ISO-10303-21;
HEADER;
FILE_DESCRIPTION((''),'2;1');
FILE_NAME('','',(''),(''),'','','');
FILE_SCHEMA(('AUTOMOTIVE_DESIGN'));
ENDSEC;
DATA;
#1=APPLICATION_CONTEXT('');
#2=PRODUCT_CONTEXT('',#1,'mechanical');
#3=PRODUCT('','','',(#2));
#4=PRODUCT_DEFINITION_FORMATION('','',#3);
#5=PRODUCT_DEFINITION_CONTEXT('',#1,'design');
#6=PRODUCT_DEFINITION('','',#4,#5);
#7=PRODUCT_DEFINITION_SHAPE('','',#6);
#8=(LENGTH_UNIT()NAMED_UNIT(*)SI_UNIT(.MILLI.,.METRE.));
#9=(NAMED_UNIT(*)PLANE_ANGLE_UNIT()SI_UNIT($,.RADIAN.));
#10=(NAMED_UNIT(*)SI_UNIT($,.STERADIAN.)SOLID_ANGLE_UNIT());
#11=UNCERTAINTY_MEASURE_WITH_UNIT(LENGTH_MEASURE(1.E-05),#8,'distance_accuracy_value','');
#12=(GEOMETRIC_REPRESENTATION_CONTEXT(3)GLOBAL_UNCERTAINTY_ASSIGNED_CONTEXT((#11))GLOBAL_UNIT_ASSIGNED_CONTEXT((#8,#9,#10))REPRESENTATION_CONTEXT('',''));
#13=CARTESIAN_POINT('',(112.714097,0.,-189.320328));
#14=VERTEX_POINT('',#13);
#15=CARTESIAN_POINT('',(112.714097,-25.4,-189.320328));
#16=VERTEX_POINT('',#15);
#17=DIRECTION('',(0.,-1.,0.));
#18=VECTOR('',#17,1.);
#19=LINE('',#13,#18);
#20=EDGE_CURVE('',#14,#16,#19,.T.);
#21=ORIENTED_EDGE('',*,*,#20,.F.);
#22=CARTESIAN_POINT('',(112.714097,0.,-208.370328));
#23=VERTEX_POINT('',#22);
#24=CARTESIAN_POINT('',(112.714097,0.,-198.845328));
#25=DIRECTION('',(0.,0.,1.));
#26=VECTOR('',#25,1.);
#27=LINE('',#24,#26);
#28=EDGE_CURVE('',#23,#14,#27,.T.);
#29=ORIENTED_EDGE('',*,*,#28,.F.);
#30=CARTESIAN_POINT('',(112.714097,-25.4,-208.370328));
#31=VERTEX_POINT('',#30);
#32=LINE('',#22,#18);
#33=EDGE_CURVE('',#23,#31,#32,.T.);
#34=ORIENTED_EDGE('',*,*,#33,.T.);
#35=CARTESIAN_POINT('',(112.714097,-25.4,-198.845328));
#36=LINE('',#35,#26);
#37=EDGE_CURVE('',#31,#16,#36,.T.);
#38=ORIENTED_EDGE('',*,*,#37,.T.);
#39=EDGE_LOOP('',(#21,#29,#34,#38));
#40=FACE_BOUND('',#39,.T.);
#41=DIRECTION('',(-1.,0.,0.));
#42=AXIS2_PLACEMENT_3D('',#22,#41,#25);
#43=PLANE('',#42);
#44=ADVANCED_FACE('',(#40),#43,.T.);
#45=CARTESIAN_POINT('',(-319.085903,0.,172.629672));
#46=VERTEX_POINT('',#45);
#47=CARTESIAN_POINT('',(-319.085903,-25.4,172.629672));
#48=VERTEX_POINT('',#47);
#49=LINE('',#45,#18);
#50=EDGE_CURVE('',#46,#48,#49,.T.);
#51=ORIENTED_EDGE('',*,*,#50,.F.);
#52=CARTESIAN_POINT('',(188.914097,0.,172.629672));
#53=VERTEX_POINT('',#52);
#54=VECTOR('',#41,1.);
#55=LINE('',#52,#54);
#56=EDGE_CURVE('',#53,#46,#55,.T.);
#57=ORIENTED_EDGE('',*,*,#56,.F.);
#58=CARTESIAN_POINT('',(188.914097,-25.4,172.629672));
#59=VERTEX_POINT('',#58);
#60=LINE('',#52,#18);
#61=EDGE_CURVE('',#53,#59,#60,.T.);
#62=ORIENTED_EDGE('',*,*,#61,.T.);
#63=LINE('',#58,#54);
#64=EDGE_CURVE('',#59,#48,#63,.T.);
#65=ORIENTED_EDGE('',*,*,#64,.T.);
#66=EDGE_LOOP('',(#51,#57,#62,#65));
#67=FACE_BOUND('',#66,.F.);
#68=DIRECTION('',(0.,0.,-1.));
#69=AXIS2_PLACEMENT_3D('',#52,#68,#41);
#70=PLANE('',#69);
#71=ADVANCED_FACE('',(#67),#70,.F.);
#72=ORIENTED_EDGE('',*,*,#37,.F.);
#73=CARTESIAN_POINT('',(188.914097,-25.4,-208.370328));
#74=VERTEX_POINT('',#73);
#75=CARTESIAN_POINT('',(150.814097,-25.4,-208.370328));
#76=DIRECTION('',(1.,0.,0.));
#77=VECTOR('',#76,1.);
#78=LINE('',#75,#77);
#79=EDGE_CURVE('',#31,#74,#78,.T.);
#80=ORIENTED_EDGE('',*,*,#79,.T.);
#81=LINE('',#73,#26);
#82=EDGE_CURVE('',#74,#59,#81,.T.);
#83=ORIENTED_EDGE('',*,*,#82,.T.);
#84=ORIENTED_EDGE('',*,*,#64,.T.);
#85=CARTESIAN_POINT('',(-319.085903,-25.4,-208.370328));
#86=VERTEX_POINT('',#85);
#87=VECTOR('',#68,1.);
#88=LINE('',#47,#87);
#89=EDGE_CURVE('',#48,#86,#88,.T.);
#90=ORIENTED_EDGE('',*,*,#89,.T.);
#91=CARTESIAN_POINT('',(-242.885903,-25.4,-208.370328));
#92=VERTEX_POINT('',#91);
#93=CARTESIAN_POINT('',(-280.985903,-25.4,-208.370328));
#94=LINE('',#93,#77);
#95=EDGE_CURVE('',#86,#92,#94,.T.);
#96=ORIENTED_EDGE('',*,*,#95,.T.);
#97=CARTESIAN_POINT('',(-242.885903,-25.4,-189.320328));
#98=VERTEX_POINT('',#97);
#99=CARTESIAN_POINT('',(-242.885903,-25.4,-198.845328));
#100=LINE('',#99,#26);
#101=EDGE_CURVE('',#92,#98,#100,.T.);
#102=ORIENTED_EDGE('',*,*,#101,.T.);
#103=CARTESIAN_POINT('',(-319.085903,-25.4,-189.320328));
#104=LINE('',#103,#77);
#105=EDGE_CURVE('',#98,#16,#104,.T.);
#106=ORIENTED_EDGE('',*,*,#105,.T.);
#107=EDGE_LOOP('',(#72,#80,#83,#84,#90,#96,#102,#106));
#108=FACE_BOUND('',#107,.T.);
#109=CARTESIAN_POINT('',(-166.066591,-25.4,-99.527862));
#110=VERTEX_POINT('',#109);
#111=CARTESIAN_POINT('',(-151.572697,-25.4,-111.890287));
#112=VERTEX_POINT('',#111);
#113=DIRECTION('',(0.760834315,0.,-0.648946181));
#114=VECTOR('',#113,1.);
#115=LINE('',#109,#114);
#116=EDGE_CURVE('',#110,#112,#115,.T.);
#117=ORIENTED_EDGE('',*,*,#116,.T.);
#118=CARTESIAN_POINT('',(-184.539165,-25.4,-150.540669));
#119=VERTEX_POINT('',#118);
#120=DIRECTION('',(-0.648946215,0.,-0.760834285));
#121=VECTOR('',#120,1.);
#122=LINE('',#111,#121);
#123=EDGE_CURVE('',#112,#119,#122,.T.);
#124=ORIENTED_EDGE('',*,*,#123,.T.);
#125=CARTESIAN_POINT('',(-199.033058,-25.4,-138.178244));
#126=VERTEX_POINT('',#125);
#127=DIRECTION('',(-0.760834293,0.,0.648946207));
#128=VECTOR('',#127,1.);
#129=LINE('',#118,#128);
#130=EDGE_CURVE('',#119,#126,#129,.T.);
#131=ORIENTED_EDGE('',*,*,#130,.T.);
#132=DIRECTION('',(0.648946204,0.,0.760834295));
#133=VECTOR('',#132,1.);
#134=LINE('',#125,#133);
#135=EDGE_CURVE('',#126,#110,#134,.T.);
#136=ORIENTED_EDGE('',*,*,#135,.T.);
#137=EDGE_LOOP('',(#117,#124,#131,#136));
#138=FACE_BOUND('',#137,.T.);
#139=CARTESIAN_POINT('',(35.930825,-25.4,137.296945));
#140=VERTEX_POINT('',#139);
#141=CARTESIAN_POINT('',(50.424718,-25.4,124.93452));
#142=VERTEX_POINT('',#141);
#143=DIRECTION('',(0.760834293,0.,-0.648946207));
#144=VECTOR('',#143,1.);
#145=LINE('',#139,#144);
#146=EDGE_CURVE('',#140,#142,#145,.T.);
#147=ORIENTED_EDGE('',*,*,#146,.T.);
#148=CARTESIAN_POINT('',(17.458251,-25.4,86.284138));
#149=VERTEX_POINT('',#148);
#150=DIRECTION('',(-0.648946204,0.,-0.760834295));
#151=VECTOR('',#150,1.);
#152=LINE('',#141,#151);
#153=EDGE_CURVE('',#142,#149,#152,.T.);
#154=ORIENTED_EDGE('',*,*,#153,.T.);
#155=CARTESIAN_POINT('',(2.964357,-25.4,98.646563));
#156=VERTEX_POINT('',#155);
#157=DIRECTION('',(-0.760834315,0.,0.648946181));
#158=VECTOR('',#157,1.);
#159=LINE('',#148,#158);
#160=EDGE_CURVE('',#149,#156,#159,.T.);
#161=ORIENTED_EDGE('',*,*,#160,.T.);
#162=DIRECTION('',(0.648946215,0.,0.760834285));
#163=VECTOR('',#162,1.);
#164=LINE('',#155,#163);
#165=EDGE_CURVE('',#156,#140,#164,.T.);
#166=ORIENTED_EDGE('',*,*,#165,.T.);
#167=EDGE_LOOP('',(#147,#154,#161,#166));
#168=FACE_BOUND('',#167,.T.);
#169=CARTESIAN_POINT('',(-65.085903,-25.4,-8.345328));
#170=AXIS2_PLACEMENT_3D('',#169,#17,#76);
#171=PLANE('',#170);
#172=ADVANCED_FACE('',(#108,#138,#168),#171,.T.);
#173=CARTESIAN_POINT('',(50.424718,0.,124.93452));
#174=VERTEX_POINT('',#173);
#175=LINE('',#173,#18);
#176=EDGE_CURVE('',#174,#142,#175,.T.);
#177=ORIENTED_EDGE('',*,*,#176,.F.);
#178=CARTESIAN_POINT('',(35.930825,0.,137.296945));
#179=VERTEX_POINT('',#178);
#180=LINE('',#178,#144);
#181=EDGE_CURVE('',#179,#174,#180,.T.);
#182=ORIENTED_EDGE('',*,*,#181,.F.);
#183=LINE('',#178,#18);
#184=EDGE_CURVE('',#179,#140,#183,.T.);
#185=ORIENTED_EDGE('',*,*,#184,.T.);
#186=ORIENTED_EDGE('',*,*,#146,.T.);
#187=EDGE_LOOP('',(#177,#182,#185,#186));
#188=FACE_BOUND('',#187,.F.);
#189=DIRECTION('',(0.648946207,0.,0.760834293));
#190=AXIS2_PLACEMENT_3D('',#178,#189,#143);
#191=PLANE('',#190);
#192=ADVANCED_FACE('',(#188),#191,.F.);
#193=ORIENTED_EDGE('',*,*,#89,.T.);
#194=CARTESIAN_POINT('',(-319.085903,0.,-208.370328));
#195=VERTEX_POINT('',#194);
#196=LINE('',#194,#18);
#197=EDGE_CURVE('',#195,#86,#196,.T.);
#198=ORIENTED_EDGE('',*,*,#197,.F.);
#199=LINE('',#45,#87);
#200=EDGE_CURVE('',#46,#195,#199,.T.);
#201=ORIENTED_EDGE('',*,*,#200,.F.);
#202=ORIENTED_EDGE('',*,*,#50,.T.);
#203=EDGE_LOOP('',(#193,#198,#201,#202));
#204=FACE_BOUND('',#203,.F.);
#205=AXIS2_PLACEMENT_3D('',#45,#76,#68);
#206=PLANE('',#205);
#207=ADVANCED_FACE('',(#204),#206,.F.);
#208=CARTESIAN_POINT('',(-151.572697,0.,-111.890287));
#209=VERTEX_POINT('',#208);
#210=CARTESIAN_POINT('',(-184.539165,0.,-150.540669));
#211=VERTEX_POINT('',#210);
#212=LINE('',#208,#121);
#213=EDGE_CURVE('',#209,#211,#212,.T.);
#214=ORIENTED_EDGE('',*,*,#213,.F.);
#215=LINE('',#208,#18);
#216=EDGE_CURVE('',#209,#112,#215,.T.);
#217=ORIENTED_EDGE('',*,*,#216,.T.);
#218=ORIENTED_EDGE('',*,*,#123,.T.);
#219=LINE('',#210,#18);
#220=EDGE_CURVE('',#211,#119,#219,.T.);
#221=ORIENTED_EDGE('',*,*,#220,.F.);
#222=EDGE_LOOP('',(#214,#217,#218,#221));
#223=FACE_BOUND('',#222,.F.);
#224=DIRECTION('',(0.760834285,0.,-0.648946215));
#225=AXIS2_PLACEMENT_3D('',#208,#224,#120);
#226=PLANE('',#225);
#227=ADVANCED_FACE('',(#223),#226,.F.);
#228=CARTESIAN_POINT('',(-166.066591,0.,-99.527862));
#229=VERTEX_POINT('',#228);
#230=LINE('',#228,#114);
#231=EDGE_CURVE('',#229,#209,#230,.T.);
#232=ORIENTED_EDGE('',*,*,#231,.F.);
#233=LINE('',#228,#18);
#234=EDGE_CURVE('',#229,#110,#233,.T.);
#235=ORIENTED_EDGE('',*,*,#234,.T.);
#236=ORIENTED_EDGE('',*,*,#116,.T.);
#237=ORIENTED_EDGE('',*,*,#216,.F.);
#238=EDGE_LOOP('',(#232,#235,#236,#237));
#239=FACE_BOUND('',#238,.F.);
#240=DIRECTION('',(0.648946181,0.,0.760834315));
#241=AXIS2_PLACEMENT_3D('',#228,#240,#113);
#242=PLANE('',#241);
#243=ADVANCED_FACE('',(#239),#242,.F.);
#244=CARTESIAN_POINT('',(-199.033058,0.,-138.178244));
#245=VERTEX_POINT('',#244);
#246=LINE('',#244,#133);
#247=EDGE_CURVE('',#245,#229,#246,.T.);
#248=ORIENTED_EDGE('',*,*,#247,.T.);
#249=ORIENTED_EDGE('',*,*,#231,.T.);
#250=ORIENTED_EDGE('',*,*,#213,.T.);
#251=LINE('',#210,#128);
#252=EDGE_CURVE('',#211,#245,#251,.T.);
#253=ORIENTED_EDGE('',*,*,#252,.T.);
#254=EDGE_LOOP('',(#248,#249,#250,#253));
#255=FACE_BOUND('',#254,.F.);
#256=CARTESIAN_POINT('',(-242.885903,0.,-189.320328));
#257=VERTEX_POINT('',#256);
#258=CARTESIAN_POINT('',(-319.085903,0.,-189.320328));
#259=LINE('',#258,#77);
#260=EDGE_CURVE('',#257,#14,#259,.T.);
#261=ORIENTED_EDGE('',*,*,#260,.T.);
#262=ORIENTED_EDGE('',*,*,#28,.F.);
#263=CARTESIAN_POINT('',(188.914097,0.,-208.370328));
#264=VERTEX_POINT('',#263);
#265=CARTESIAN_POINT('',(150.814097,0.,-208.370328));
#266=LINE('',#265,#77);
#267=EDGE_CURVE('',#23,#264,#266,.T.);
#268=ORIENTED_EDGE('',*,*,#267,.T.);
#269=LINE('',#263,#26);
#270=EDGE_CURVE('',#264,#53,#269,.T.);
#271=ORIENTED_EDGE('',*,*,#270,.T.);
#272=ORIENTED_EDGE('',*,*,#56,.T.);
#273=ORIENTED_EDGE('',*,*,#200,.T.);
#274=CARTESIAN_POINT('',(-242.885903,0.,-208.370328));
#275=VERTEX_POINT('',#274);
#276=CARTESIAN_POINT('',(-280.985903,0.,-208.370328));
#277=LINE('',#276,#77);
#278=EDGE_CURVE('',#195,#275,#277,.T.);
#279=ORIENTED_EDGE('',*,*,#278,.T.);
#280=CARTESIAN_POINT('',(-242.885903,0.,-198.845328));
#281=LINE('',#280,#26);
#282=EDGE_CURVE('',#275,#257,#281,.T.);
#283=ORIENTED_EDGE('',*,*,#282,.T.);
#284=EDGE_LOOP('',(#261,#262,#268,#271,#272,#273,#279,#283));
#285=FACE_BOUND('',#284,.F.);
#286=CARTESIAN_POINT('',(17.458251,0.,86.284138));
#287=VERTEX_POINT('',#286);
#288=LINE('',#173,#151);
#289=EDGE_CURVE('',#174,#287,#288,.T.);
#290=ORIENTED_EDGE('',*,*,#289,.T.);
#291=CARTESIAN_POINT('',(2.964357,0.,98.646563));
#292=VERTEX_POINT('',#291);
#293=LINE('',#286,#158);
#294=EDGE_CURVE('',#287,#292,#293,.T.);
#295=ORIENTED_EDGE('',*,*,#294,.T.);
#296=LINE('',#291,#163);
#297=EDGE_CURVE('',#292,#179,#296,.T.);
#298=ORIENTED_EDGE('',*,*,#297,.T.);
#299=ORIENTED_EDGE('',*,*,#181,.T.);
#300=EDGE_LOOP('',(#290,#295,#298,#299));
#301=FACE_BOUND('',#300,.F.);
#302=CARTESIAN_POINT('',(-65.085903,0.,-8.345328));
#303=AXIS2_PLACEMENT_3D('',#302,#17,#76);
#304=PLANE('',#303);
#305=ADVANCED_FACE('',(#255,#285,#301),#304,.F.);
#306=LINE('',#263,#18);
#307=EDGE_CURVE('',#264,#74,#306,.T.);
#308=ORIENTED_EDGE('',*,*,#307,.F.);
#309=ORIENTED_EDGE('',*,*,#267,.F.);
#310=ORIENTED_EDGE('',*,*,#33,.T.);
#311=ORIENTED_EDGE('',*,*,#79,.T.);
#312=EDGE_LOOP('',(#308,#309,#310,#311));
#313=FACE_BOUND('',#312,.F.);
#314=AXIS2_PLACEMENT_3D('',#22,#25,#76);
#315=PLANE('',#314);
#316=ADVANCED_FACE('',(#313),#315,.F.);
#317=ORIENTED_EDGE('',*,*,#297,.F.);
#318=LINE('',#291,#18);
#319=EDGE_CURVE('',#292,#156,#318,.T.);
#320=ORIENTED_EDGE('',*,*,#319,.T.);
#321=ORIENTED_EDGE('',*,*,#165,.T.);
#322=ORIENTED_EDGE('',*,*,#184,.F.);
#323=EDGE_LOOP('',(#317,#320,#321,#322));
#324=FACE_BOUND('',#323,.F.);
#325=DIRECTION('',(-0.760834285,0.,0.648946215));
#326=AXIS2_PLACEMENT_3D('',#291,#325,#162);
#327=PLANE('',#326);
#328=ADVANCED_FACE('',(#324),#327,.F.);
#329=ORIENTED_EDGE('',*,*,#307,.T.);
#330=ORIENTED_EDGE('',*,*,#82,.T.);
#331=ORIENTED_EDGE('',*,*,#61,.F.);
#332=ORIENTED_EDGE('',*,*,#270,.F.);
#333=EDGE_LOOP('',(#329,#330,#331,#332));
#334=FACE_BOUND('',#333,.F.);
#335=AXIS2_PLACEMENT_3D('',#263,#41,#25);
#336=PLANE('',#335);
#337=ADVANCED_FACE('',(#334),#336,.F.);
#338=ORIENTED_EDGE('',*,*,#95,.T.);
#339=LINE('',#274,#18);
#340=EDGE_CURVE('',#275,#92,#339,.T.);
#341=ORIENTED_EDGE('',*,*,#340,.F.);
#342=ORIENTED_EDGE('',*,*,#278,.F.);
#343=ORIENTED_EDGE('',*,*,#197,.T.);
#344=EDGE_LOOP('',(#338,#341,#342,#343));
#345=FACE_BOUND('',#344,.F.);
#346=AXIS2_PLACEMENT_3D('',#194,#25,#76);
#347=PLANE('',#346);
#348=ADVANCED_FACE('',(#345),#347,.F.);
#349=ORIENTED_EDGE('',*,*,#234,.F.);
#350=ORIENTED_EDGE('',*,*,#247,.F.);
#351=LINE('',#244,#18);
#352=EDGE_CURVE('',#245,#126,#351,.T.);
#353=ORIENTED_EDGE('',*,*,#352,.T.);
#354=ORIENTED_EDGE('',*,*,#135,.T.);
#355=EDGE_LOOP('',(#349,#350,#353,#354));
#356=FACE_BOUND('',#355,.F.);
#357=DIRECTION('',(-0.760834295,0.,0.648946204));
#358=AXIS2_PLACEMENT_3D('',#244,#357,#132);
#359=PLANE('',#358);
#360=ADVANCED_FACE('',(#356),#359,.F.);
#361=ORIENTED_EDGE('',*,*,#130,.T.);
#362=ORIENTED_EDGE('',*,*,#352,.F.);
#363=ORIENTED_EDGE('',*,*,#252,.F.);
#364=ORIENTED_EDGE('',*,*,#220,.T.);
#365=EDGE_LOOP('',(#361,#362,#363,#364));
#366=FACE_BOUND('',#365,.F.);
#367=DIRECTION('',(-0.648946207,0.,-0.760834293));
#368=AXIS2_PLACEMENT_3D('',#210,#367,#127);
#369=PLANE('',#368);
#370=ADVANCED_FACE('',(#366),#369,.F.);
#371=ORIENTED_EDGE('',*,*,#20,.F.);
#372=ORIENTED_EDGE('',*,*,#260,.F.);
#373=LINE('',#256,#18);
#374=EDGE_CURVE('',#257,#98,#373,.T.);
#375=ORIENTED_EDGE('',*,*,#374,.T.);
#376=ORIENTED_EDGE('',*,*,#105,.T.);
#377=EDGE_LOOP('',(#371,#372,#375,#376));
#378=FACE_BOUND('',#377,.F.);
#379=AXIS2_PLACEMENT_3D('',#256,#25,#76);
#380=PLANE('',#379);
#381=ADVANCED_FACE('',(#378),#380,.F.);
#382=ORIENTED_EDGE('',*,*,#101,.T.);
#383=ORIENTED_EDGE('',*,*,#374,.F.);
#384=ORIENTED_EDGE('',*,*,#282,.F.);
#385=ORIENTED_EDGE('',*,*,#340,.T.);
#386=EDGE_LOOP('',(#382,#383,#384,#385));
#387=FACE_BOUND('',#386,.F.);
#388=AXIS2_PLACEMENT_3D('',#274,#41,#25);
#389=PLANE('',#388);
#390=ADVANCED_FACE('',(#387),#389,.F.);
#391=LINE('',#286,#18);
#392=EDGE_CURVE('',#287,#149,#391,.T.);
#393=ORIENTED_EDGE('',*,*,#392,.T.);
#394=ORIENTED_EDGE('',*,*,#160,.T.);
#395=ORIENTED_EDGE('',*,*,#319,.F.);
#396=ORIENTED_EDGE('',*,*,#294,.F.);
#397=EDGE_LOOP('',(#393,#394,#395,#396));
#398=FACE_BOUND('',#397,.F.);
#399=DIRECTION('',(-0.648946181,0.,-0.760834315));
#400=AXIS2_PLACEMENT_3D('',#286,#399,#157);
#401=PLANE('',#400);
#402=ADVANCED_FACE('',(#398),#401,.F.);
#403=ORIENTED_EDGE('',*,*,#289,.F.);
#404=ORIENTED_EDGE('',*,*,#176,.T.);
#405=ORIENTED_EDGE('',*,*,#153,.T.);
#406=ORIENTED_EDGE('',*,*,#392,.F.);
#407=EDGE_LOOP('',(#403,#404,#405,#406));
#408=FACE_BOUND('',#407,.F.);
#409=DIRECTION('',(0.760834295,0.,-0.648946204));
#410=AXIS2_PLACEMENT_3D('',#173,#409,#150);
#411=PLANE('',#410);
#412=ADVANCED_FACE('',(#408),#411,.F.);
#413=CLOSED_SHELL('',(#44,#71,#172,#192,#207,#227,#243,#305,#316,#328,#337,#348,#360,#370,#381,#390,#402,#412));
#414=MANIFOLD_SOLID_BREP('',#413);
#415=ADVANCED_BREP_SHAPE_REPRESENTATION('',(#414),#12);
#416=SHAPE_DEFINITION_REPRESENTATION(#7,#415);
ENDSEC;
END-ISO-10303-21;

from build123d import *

# Parameters (mm, degrees)
F0_W     = 76.2
F0_H     = 19.05
F1_DEPTH = 25.4


with BuildPart() as f1:
    # F0 (on Front) → F1 (new body)
    with BuildSketch(Plane.XZ):
        Polygon((188.914097, 172.629672), (-319.085903, 172.629672), (-319.085903, -189.320328), (-242.885903, -189.320328), (112.714097, -189.320328), (188.914097, -189.320328), align=None)
        Polygon((-166.066591, -99.527862), (-151.572697, -111.890287), (-184.539165, -150.540669), (-199.033058, -138.178244), align=None, mode=Mode.SUBTRACT)
        Polygon((2.964357, 98.646563), (35.930825, 137.296945), (50.424718, 124.93452), (17.458251, 86.284138), align=None, mode=Mode.SUBTRACT)
        with Locations((-280.985903, -198.845328)):
            Rectangle(F0_W, F0_H)
        with Locations((150.814097, -198.845328)):
            Rectangle(F0_W, F0_H)
    extrude(amount=F1_DEPTH)


solid = f1.part
